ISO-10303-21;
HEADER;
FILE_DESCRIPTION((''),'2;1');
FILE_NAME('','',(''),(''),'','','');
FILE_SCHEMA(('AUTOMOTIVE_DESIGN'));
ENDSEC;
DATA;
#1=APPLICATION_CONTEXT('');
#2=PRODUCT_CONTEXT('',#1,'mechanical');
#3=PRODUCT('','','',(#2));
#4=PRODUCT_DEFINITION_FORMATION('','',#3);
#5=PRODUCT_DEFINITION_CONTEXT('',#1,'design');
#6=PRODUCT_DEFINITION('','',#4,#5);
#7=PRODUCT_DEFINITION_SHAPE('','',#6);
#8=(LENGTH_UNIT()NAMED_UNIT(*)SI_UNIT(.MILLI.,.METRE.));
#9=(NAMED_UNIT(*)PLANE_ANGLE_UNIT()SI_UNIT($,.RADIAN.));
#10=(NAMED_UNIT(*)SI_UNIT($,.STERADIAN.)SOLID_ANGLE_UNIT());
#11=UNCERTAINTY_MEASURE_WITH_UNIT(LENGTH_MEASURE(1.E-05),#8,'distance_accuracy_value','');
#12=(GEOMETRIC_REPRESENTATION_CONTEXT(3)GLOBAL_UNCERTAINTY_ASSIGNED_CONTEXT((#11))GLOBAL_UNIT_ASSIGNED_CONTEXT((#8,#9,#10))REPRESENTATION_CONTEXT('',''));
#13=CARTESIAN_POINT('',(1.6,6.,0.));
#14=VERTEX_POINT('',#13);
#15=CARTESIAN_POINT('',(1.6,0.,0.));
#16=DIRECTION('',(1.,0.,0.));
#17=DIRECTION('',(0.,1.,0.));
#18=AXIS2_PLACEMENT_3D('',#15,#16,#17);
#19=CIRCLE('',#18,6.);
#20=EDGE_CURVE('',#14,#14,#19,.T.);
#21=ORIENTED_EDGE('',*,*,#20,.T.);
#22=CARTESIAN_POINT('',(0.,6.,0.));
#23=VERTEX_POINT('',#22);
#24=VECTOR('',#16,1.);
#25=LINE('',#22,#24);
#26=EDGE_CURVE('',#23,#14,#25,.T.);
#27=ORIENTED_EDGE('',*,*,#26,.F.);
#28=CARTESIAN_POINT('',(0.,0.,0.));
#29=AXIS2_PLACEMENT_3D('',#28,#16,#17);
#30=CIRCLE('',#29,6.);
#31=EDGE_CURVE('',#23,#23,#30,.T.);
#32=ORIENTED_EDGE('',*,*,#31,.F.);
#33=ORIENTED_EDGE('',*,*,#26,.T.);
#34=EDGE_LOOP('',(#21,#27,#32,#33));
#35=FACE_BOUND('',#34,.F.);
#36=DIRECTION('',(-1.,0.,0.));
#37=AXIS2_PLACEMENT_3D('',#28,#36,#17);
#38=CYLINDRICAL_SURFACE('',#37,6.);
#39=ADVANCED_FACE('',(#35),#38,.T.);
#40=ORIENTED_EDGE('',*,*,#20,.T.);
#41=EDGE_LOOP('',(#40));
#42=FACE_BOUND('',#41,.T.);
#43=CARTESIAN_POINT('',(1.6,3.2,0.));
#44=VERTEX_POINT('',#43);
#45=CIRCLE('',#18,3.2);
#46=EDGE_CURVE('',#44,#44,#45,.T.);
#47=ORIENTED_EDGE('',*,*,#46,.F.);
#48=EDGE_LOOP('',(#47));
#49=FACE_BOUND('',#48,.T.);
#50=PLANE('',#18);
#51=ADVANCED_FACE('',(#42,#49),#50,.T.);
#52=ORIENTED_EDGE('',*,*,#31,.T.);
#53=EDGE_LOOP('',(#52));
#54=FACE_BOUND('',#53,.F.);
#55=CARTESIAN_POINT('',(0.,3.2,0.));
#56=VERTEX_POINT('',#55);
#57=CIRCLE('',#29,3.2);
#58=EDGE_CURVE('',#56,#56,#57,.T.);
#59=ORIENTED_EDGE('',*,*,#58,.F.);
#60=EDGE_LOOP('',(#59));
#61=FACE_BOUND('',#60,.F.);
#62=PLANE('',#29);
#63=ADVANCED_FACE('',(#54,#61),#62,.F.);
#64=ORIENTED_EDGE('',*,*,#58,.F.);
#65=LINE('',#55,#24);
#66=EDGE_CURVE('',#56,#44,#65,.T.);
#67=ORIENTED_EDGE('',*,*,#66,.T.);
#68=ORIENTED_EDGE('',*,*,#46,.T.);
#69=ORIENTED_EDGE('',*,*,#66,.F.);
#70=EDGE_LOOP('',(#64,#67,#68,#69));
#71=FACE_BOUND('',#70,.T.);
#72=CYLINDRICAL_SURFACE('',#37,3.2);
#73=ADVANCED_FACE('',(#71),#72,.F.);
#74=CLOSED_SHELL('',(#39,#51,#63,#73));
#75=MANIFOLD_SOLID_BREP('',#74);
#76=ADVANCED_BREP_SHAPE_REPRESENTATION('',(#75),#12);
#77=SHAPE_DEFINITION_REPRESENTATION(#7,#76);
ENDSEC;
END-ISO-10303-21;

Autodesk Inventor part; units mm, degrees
ref_plane "YZ Plane" through (0, 0, 0) normal (1, 0, 0) x (0, 1, 0)
ref_plane "XZ Plane" through (0, 0, 0) normal (0, 1, 0) x (-1, 0, 0)
sketch "Skizze" plane through (0, 0, 0) normal (1, 0, 0) x (0, 1, 0)
  circle A0 centre (0, 0) radius 6
  circle A1 centre (0, 0) radius 3.2
  dimension "d0" = 6.4
  dimension "d1" = 12
extrude "Körper" add sketch "Skizze" along normal blind 1.6
ref_plane "Work Plane1" through (0, 0, 0) normal (0, 0, 1) x (1, 0, 0)
equation "\"d0\" = SD1"
equation "\"d1\" = SD2"
equation "\"d2\" = SD"
equation "\"SD1\" = 6.4"
equation "\"SD2\" = 12"
equation "\"SD\" = 1.6"
equation "\"NND\" = 6"
properties part number "DIN 125 - A 6,4" material "Stahl, weich"
